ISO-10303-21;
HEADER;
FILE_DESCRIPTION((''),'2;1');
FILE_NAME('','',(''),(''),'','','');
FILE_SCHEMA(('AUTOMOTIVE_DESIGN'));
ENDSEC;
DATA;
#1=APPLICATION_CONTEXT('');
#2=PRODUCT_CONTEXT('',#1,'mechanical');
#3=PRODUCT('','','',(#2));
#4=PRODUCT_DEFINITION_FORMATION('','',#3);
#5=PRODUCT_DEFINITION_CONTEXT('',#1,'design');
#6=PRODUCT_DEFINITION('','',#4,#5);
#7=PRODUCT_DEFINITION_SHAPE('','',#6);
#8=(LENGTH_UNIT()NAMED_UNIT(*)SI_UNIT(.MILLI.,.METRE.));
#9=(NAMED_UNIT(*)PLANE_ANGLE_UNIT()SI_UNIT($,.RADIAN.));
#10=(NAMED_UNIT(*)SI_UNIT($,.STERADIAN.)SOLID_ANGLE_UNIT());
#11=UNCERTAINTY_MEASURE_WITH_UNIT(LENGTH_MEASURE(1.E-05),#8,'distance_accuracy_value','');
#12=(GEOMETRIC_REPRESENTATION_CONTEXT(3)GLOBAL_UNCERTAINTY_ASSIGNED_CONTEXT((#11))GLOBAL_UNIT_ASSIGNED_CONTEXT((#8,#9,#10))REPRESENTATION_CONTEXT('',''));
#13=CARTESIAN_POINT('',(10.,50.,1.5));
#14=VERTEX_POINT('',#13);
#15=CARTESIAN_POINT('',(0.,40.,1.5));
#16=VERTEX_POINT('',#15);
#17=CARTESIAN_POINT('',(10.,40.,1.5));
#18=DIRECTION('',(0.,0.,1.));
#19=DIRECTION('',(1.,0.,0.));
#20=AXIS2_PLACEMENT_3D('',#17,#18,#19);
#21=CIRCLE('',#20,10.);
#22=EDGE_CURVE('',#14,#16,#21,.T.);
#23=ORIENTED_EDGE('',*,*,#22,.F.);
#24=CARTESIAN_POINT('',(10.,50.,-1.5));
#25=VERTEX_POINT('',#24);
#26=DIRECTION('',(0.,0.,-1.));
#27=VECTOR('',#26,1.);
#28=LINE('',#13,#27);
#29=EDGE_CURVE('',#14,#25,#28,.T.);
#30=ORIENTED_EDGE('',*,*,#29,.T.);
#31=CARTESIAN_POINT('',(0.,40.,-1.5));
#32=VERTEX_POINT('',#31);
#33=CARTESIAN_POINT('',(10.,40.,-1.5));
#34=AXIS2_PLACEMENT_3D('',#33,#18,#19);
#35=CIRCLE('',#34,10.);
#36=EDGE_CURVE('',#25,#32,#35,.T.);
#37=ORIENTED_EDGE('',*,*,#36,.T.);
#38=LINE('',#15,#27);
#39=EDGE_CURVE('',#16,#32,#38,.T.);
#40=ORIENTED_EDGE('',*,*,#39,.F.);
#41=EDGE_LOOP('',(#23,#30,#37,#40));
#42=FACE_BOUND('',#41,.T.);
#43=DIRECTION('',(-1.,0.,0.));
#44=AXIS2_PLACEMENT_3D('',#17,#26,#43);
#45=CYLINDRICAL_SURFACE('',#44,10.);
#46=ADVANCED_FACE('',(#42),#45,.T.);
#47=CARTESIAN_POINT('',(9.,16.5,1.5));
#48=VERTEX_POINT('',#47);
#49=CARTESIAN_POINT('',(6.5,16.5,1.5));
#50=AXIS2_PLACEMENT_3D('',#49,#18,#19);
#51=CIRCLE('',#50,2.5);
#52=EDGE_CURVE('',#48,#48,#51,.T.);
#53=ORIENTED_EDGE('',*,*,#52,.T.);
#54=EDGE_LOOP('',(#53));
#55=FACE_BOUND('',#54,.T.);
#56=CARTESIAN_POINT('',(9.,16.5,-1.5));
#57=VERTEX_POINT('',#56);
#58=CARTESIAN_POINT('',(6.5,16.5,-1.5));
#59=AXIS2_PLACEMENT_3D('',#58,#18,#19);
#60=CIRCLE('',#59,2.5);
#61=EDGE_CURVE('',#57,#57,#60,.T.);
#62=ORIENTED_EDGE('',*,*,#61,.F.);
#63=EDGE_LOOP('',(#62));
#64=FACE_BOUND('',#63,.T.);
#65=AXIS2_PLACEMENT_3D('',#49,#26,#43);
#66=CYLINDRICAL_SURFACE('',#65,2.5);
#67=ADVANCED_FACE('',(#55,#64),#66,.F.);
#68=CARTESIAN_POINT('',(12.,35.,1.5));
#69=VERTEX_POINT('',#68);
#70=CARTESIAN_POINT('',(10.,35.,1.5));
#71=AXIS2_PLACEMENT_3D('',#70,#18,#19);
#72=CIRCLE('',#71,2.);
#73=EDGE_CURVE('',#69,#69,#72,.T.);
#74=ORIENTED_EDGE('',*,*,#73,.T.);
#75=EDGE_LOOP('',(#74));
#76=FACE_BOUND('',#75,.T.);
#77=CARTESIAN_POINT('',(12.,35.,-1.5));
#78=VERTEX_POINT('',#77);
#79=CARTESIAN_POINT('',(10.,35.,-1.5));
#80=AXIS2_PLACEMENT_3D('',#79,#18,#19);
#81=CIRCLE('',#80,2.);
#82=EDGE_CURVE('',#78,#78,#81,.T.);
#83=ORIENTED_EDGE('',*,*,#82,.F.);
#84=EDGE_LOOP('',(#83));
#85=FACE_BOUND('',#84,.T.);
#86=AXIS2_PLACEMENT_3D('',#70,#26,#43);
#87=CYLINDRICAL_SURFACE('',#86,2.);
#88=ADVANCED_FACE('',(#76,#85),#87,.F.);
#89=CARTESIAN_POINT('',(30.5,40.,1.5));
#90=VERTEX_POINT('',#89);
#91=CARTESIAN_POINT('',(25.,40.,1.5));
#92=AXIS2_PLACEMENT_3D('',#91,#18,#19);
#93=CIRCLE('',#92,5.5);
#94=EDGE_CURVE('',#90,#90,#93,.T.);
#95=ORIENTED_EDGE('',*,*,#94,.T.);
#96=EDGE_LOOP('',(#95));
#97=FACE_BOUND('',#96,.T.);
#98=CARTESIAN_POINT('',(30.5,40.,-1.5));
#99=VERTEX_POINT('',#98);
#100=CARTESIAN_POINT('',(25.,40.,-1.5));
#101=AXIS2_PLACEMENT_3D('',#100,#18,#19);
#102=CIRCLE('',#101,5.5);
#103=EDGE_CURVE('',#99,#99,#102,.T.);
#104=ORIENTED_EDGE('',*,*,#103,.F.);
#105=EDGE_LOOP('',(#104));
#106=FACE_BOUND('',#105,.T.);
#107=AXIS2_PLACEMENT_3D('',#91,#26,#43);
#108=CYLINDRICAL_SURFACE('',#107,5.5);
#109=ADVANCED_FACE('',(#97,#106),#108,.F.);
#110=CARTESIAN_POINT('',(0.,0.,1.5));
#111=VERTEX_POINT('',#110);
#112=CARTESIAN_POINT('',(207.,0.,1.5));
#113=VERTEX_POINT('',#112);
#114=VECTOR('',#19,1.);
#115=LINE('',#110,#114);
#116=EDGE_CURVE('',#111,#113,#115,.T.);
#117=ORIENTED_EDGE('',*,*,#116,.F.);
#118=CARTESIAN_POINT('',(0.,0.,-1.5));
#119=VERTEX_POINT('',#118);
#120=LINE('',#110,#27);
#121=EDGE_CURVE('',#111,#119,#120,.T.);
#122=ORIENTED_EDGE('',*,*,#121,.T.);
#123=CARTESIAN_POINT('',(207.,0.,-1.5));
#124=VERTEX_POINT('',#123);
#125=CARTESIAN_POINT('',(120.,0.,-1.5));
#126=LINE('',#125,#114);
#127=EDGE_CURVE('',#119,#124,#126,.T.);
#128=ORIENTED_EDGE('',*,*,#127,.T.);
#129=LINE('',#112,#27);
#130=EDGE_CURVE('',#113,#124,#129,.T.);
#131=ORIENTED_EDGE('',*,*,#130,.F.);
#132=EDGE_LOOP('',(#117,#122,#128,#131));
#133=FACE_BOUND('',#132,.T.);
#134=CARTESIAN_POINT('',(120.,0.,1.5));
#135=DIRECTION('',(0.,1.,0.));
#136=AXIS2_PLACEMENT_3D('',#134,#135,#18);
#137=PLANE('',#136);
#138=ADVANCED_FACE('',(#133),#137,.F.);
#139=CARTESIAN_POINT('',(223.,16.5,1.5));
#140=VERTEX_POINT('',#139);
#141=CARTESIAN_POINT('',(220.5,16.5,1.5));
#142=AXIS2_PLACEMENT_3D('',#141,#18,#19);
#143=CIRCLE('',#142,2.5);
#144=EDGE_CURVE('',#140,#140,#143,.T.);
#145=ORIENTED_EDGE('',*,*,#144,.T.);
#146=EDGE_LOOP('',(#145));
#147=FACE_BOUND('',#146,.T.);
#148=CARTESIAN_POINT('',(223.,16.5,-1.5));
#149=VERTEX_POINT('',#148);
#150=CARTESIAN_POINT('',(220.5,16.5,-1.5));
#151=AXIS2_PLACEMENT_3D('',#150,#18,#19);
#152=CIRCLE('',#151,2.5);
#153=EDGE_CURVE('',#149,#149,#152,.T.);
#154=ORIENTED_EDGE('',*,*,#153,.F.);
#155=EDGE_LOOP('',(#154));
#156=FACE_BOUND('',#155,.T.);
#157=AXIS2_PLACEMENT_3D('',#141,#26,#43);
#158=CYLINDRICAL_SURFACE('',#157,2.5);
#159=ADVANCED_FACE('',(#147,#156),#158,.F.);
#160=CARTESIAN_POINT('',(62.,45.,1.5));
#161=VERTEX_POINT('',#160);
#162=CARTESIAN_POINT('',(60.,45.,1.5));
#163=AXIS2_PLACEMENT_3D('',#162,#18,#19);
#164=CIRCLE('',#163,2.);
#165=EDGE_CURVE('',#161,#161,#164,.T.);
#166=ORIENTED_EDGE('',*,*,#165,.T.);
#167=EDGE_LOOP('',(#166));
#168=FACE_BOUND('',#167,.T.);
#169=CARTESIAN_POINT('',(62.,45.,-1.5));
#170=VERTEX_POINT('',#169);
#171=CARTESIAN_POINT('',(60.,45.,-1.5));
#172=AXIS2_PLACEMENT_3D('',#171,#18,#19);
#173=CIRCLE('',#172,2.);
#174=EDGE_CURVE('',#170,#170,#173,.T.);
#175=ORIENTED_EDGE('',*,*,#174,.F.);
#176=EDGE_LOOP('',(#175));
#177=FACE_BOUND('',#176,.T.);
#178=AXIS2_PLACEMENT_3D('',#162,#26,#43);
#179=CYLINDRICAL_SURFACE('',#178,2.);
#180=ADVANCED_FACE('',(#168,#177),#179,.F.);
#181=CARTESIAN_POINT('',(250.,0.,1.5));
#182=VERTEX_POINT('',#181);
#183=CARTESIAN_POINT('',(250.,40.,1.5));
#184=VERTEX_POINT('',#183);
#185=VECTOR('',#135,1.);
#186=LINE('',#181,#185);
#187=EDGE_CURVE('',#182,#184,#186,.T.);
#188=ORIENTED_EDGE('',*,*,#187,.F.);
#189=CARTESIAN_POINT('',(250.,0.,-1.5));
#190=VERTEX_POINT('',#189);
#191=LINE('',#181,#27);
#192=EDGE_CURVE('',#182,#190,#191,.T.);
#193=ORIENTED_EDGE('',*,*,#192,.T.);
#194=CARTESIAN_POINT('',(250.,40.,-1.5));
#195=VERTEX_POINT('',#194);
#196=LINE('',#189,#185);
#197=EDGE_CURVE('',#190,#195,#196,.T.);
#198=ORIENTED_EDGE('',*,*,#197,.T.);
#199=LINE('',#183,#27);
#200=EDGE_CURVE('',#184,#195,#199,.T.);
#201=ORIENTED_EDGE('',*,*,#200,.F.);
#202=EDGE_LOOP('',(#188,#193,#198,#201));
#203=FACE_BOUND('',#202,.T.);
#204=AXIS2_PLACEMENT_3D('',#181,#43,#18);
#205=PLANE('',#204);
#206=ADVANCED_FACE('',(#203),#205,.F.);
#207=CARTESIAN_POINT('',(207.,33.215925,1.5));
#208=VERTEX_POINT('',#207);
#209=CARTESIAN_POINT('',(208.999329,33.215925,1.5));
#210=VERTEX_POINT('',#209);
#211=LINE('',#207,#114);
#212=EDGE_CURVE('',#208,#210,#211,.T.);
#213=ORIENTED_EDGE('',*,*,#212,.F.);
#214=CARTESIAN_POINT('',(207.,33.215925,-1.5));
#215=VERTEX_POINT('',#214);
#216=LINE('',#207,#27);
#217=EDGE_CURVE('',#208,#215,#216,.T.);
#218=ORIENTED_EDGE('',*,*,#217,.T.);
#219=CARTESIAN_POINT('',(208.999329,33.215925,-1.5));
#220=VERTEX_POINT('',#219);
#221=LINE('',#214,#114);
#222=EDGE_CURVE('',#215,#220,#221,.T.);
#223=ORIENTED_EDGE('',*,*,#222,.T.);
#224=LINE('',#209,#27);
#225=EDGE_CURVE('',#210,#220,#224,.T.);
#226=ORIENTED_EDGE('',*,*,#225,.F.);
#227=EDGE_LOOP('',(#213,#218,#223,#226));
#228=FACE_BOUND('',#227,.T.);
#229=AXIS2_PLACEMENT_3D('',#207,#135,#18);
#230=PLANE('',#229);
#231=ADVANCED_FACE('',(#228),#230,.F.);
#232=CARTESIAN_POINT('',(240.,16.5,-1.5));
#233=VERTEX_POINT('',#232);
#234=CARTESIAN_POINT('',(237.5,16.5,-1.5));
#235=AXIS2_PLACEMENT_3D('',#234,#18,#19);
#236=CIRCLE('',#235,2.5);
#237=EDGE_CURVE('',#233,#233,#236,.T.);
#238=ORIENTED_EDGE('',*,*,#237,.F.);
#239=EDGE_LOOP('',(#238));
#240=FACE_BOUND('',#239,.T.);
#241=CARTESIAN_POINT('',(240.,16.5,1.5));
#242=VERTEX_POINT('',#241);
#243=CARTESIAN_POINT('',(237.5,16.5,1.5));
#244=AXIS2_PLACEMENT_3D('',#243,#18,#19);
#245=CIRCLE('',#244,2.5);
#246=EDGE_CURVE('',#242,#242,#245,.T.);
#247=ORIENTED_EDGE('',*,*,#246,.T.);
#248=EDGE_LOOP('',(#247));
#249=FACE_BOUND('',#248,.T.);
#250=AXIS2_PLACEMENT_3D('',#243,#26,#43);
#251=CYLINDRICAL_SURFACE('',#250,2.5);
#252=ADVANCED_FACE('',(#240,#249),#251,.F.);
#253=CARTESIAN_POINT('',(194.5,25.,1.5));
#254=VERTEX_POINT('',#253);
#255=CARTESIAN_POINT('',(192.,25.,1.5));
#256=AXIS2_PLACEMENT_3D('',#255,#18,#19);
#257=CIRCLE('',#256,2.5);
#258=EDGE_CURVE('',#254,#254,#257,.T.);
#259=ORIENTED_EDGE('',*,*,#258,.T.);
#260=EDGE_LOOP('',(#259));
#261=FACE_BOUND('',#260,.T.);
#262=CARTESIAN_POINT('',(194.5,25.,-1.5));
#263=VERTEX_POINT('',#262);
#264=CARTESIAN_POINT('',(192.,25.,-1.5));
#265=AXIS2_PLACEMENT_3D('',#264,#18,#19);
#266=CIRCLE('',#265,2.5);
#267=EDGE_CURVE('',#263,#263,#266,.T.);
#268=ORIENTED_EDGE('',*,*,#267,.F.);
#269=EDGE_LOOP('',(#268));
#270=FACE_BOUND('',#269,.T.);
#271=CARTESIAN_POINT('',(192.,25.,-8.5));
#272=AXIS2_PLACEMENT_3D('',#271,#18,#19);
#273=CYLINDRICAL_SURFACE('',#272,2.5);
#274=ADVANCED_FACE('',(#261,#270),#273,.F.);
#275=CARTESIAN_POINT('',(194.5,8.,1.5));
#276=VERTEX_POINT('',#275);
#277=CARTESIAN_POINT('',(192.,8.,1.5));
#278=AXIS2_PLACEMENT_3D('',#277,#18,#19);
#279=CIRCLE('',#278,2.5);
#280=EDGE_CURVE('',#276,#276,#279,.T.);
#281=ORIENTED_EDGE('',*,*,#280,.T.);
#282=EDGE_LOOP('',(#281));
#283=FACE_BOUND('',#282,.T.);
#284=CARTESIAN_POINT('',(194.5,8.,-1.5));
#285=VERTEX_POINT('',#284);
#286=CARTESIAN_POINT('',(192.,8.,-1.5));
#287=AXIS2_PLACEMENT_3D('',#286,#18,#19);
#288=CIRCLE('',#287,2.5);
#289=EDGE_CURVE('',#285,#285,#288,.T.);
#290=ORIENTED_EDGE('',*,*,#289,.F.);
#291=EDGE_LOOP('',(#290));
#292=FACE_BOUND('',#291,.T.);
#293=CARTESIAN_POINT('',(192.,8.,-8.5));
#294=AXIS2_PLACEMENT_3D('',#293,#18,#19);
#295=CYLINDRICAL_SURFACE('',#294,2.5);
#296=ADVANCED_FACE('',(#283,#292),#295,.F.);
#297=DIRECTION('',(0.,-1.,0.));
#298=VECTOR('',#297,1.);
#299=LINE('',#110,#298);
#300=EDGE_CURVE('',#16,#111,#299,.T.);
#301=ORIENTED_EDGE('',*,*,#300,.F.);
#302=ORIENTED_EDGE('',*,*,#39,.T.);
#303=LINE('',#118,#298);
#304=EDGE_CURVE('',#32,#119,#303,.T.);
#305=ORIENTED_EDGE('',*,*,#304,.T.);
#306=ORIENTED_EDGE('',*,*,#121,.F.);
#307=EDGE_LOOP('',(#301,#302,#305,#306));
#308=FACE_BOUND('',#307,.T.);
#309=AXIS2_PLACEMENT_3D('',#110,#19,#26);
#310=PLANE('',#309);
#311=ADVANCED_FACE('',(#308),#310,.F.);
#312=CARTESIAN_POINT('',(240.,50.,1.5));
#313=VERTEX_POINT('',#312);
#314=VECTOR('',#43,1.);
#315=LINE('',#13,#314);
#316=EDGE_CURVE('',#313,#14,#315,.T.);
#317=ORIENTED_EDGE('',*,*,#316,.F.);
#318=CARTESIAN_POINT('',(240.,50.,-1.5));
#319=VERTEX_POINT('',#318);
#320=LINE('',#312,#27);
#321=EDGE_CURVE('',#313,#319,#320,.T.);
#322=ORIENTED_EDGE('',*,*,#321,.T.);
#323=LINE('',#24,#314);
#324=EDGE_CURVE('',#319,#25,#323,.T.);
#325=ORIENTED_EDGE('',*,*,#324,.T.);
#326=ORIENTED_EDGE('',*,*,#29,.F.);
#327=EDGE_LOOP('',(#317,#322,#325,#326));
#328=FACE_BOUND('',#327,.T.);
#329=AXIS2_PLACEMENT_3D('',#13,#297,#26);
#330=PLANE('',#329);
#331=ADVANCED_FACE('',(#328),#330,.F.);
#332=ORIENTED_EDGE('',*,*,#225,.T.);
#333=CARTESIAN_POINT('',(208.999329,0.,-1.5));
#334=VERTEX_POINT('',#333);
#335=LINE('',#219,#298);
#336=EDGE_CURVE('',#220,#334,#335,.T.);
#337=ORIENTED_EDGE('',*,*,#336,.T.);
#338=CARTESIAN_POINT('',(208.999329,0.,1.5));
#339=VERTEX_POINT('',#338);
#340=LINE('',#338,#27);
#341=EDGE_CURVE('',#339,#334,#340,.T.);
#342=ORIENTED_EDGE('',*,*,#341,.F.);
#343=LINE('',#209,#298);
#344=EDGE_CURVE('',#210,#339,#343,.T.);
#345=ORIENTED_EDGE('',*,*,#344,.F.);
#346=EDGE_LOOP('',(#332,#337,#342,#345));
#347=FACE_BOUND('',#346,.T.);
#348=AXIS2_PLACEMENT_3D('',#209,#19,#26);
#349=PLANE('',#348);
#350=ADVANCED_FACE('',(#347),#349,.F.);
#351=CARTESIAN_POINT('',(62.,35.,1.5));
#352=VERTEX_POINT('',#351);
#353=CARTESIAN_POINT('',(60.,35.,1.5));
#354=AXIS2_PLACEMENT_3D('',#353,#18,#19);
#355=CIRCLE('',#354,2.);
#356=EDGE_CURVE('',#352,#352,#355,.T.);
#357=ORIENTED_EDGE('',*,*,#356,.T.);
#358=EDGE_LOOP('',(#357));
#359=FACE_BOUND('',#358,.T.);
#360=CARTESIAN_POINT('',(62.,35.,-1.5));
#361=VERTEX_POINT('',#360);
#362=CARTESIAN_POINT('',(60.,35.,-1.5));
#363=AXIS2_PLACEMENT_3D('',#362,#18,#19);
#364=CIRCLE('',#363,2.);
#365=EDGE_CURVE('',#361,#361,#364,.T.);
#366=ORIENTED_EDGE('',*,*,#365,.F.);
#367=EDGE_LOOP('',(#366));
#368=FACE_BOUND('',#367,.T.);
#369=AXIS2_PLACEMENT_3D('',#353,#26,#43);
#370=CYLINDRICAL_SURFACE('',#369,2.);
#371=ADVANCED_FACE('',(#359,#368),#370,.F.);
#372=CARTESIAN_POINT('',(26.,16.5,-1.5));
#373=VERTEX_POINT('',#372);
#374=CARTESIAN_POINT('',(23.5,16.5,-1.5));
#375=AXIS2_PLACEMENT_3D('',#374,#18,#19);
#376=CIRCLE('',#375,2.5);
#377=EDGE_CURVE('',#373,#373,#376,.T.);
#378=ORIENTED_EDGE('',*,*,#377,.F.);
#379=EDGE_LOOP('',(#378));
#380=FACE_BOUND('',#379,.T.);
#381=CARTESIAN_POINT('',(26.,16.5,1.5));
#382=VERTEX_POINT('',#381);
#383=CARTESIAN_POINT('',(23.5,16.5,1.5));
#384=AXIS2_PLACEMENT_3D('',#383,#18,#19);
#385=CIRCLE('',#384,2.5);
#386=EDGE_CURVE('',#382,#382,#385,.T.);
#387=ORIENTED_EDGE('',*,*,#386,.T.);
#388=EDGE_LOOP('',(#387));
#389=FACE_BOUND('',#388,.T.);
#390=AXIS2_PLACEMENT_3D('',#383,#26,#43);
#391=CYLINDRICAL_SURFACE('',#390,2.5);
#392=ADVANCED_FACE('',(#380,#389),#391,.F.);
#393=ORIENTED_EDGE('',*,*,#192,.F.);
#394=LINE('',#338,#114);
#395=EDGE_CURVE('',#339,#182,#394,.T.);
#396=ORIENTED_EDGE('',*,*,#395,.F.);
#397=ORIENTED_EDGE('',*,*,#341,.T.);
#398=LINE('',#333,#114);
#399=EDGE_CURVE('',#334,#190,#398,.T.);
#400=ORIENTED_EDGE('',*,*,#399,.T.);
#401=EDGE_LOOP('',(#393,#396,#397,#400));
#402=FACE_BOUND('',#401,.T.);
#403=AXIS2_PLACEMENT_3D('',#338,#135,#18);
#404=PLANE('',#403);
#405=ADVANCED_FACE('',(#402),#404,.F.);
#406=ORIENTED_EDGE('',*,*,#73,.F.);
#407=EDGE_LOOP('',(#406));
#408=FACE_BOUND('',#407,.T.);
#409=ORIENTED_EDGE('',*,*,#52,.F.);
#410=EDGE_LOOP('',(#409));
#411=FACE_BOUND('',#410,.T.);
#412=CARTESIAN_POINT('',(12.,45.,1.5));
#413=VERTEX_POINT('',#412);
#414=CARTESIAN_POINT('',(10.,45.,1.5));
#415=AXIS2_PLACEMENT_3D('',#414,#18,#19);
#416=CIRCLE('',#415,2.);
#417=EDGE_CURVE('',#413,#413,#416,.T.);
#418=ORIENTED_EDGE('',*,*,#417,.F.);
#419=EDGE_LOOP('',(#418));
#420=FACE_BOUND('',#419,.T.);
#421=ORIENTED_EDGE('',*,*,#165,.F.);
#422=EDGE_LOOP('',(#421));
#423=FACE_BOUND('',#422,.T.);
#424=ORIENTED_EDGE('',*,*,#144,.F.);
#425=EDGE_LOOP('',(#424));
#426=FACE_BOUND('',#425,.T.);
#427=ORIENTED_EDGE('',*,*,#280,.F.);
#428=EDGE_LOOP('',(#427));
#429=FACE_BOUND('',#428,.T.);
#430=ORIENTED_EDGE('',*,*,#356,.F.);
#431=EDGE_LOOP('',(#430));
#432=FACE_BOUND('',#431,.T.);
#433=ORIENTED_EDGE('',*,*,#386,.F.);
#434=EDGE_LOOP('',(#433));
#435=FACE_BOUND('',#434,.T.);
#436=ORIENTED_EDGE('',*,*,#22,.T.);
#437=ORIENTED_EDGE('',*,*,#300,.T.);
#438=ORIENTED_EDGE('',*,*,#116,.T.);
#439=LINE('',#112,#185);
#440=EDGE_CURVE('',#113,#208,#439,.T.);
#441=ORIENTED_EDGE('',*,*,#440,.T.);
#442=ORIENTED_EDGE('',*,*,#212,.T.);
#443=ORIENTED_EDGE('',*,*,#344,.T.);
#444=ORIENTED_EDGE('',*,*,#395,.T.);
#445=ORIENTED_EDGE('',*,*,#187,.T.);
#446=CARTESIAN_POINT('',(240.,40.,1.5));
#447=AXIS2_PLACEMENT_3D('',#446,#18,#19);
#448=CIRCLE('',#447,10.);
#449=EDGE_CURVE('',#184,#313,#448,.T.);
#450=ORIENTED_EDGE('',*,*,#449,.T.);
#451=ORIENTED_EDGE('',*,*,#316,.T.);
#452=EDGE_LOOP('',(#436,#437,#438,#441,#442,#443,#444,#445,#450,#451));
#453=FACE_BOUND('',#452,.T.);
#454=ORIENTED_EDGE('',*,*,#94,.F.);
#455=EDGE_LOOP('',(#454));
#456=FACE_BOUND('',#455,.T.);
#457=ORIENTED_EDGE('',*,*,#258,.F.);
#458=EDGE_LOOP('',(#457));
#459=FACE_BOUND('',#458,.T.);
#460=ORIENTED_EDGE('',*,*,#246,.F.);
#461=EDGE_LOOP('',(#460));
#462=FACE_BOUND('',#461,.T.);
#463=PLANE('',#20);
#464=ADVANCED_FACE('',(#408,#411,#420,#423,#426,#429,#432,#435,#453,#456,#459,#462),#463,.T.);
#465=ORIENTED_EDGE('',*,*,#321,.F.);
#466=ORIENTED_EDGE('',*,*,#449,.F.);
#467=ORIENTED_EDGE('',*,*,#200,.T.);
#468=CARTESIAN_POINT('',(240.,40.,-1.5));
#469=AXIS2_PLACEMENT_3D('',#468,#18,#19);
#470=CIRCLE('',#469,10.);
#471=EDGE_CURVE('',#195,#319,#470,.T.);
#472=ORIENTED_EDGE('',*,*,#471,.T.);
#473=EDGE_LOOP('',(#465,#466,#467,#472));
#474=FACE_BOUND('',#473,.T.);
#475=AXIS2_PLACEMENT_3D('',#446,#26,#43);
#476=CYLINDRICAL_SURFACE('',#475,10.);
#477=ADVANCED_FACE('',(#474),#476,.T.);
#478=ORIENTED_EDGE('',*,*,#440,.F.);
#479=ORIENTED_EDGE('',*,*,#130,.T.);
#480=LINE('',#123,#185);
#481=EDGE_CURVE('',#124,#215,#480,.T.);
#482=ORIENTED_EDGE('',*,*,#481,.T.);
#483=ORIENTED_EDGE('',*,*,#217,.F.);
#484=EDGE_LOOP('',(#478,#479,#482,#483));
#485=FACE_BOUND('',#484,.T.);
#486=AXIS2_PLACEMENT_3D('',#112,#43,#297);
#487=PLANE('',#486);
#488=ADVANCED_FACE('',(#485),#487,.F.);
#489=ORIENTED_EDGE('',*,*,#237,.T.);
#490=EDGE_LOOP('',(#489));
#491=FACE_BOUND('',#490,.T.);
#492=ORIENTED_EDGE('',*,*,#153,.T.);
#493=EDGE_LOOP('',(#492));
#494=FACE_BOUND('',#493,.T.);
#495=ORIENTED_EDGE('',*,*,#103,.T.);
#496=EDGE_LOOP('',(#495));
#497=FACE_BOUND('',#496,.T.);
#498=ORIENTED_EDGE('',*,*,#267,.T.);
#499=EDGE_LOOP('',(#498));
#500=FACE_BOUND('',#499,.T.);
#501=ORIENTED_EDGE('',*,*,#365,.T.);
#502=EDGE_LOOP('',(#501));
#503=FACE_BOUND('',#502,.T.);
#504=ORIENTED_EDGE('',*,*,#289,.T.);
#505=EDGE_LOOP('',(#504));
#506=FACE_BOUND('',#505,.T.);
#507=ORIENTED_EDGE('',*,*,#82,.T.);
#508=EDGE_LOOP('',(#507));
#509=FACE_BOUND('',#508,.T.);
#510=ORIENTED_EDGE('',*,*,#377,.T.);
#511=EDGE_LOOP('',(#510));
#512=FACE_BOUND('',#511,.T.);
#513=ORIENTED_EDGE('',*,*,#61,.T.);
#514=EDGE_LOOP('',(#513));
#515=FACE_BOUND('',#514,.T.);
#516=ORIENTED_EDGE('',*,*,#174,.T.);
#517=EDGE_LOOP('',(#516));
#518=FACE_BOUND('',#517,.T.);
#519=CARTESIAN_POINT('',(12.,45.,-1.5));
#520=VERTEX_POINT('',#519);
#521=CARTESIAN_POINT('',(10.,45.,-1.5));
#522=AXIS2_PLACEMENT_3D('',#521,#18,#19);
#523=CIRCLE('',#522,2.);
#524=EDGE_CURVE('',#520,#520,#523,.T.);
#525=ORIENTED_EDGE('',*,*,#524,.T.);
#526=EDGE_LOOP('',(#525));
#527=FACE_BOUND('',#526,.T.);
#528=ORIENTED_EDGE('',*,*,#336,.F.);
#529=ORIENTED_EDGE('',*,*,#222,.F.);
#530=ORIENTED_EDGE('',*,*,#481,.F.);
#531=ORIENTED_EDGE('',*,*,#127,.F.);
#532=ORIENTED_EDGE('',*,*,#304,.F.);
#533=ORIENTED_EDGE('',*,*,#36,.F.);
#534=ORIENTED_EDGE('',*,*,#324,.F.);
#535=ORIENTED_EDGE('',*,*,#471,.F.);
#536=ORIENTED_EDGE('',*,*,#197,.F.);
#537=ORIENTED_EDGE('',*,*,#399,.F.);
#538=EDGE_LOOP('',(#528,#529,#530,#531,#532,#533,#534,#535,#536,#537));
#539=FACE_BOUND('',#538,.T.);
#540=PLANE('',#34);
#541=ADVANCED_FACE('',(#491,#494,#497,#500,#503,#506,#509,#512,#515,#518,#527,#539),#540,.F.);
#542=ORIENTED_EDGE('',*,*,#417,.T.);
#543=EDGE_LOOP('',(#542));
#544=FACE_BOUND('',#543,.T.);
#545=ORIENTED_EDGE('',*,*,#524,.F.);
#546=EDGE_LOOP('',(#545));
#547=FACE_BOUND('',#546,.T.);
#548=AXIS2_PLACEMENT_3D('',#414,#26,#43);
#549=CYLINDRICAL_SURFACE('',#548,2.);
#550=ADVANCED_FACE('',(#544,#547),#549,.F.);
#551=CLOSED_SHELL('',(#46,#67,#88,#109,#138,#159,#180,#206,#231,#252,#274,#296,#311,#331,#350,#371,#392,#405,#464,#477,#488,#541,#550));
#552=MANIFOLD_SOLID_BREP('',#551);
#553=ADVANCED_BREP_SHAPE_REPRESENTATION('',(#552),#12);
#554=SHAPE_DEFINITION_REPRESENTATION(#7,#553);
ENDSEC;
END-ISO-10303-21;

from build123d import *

# Parameters (mm, degrees)
SKETCH_2_R          = 2
SKETCH_2_R_2        = 5.5
SKETCH_2_R_3        = 2.5
EXTRUDE_1_DEPTH     = 1.5
SKETCH_3_R          = 2.5
CUT_EXTRUDE_1_DEPTH = 10


with BuildPart() as part:
    # 草图2 → 凸台-拉伸1 (new, symmetric)
    with BuildSketch(Plane.XY):
        with BuildLine():
            Line((120, 0), (207, 0))
            Line((207, 0), (207, 33.215924565))
            Line((207, 33.215924565), (208.99932908, 33.215924565))
            Line((208.99932908, 33.215924565), (208.99932908, 0))
            Line((208.99932908, 0), (250, 0))
            Line((250, 0), (250, 40))
            ThreePointArc((250, 40), (247.071067812, 47.071067812), (240, 50))
            Line((240, 50), (10, 50))
            ThreePointArc((10, 50), (2.928932188, 47.071067812), (0, 40))
            Line((0, 40), (0, 0))
            Line((0, 0), (30, 0))
            Line((30, 0), (120, 0))
        make_face()
        with Locations((10, 45)):
            Circle(SKETCH_2_R, mode=Mode.SUBTRACT)
        with Locations((10, 35)):
            Circle(SKETCH_2_R, mode=Mode.SUBTRACT)
        with Locations((60, 45)):
            Circle(SKETCH_2_R, mode=Mode.SUBTRACT)
        with Locations((60, 35)):
            Circle(SKETCH_2_R, mode=Mode.SUBTRACT)
        with Locations((25, 40)):
            Circle(SKETCH_2_R_2, mode=Mode.SUBTRACT)
        with Locations((6.5, 16.5)):
            Circle(SKETCH_2_R_3, mode=Mode.SUBTRACT)
        with Locations((23.5, 16.5)):
            Circle(SKETCH_2_R_3, mode=Mode.SUBTRACT)
        with Locations((220.5, 16.5)):
            Circle(SKETCH_2_R_3, mode=Mode.SUBTRACT)
        with Locations((237.5, 16.5)):
            Circle(SKETCH_2_R_3, mode=Mode.SUBTRACT)
    extrude(amount=EXTRUDE_1_DEPTH, both=True)

    # 草图3 → 切除-拉伸1 (cut)
    with BuildSketch(Plane.XY.offset(1.5)):
        with Locations((192, 25)):
            Circle(SKETCH_3_R)
        with Locations((192, 8)):
            Circle(SKETCH_3_R)
    extrude(amount=-CUT_EXTRUDE_1_DEPTH, mode=Mode.SUBTRACT)


solid = part.part
